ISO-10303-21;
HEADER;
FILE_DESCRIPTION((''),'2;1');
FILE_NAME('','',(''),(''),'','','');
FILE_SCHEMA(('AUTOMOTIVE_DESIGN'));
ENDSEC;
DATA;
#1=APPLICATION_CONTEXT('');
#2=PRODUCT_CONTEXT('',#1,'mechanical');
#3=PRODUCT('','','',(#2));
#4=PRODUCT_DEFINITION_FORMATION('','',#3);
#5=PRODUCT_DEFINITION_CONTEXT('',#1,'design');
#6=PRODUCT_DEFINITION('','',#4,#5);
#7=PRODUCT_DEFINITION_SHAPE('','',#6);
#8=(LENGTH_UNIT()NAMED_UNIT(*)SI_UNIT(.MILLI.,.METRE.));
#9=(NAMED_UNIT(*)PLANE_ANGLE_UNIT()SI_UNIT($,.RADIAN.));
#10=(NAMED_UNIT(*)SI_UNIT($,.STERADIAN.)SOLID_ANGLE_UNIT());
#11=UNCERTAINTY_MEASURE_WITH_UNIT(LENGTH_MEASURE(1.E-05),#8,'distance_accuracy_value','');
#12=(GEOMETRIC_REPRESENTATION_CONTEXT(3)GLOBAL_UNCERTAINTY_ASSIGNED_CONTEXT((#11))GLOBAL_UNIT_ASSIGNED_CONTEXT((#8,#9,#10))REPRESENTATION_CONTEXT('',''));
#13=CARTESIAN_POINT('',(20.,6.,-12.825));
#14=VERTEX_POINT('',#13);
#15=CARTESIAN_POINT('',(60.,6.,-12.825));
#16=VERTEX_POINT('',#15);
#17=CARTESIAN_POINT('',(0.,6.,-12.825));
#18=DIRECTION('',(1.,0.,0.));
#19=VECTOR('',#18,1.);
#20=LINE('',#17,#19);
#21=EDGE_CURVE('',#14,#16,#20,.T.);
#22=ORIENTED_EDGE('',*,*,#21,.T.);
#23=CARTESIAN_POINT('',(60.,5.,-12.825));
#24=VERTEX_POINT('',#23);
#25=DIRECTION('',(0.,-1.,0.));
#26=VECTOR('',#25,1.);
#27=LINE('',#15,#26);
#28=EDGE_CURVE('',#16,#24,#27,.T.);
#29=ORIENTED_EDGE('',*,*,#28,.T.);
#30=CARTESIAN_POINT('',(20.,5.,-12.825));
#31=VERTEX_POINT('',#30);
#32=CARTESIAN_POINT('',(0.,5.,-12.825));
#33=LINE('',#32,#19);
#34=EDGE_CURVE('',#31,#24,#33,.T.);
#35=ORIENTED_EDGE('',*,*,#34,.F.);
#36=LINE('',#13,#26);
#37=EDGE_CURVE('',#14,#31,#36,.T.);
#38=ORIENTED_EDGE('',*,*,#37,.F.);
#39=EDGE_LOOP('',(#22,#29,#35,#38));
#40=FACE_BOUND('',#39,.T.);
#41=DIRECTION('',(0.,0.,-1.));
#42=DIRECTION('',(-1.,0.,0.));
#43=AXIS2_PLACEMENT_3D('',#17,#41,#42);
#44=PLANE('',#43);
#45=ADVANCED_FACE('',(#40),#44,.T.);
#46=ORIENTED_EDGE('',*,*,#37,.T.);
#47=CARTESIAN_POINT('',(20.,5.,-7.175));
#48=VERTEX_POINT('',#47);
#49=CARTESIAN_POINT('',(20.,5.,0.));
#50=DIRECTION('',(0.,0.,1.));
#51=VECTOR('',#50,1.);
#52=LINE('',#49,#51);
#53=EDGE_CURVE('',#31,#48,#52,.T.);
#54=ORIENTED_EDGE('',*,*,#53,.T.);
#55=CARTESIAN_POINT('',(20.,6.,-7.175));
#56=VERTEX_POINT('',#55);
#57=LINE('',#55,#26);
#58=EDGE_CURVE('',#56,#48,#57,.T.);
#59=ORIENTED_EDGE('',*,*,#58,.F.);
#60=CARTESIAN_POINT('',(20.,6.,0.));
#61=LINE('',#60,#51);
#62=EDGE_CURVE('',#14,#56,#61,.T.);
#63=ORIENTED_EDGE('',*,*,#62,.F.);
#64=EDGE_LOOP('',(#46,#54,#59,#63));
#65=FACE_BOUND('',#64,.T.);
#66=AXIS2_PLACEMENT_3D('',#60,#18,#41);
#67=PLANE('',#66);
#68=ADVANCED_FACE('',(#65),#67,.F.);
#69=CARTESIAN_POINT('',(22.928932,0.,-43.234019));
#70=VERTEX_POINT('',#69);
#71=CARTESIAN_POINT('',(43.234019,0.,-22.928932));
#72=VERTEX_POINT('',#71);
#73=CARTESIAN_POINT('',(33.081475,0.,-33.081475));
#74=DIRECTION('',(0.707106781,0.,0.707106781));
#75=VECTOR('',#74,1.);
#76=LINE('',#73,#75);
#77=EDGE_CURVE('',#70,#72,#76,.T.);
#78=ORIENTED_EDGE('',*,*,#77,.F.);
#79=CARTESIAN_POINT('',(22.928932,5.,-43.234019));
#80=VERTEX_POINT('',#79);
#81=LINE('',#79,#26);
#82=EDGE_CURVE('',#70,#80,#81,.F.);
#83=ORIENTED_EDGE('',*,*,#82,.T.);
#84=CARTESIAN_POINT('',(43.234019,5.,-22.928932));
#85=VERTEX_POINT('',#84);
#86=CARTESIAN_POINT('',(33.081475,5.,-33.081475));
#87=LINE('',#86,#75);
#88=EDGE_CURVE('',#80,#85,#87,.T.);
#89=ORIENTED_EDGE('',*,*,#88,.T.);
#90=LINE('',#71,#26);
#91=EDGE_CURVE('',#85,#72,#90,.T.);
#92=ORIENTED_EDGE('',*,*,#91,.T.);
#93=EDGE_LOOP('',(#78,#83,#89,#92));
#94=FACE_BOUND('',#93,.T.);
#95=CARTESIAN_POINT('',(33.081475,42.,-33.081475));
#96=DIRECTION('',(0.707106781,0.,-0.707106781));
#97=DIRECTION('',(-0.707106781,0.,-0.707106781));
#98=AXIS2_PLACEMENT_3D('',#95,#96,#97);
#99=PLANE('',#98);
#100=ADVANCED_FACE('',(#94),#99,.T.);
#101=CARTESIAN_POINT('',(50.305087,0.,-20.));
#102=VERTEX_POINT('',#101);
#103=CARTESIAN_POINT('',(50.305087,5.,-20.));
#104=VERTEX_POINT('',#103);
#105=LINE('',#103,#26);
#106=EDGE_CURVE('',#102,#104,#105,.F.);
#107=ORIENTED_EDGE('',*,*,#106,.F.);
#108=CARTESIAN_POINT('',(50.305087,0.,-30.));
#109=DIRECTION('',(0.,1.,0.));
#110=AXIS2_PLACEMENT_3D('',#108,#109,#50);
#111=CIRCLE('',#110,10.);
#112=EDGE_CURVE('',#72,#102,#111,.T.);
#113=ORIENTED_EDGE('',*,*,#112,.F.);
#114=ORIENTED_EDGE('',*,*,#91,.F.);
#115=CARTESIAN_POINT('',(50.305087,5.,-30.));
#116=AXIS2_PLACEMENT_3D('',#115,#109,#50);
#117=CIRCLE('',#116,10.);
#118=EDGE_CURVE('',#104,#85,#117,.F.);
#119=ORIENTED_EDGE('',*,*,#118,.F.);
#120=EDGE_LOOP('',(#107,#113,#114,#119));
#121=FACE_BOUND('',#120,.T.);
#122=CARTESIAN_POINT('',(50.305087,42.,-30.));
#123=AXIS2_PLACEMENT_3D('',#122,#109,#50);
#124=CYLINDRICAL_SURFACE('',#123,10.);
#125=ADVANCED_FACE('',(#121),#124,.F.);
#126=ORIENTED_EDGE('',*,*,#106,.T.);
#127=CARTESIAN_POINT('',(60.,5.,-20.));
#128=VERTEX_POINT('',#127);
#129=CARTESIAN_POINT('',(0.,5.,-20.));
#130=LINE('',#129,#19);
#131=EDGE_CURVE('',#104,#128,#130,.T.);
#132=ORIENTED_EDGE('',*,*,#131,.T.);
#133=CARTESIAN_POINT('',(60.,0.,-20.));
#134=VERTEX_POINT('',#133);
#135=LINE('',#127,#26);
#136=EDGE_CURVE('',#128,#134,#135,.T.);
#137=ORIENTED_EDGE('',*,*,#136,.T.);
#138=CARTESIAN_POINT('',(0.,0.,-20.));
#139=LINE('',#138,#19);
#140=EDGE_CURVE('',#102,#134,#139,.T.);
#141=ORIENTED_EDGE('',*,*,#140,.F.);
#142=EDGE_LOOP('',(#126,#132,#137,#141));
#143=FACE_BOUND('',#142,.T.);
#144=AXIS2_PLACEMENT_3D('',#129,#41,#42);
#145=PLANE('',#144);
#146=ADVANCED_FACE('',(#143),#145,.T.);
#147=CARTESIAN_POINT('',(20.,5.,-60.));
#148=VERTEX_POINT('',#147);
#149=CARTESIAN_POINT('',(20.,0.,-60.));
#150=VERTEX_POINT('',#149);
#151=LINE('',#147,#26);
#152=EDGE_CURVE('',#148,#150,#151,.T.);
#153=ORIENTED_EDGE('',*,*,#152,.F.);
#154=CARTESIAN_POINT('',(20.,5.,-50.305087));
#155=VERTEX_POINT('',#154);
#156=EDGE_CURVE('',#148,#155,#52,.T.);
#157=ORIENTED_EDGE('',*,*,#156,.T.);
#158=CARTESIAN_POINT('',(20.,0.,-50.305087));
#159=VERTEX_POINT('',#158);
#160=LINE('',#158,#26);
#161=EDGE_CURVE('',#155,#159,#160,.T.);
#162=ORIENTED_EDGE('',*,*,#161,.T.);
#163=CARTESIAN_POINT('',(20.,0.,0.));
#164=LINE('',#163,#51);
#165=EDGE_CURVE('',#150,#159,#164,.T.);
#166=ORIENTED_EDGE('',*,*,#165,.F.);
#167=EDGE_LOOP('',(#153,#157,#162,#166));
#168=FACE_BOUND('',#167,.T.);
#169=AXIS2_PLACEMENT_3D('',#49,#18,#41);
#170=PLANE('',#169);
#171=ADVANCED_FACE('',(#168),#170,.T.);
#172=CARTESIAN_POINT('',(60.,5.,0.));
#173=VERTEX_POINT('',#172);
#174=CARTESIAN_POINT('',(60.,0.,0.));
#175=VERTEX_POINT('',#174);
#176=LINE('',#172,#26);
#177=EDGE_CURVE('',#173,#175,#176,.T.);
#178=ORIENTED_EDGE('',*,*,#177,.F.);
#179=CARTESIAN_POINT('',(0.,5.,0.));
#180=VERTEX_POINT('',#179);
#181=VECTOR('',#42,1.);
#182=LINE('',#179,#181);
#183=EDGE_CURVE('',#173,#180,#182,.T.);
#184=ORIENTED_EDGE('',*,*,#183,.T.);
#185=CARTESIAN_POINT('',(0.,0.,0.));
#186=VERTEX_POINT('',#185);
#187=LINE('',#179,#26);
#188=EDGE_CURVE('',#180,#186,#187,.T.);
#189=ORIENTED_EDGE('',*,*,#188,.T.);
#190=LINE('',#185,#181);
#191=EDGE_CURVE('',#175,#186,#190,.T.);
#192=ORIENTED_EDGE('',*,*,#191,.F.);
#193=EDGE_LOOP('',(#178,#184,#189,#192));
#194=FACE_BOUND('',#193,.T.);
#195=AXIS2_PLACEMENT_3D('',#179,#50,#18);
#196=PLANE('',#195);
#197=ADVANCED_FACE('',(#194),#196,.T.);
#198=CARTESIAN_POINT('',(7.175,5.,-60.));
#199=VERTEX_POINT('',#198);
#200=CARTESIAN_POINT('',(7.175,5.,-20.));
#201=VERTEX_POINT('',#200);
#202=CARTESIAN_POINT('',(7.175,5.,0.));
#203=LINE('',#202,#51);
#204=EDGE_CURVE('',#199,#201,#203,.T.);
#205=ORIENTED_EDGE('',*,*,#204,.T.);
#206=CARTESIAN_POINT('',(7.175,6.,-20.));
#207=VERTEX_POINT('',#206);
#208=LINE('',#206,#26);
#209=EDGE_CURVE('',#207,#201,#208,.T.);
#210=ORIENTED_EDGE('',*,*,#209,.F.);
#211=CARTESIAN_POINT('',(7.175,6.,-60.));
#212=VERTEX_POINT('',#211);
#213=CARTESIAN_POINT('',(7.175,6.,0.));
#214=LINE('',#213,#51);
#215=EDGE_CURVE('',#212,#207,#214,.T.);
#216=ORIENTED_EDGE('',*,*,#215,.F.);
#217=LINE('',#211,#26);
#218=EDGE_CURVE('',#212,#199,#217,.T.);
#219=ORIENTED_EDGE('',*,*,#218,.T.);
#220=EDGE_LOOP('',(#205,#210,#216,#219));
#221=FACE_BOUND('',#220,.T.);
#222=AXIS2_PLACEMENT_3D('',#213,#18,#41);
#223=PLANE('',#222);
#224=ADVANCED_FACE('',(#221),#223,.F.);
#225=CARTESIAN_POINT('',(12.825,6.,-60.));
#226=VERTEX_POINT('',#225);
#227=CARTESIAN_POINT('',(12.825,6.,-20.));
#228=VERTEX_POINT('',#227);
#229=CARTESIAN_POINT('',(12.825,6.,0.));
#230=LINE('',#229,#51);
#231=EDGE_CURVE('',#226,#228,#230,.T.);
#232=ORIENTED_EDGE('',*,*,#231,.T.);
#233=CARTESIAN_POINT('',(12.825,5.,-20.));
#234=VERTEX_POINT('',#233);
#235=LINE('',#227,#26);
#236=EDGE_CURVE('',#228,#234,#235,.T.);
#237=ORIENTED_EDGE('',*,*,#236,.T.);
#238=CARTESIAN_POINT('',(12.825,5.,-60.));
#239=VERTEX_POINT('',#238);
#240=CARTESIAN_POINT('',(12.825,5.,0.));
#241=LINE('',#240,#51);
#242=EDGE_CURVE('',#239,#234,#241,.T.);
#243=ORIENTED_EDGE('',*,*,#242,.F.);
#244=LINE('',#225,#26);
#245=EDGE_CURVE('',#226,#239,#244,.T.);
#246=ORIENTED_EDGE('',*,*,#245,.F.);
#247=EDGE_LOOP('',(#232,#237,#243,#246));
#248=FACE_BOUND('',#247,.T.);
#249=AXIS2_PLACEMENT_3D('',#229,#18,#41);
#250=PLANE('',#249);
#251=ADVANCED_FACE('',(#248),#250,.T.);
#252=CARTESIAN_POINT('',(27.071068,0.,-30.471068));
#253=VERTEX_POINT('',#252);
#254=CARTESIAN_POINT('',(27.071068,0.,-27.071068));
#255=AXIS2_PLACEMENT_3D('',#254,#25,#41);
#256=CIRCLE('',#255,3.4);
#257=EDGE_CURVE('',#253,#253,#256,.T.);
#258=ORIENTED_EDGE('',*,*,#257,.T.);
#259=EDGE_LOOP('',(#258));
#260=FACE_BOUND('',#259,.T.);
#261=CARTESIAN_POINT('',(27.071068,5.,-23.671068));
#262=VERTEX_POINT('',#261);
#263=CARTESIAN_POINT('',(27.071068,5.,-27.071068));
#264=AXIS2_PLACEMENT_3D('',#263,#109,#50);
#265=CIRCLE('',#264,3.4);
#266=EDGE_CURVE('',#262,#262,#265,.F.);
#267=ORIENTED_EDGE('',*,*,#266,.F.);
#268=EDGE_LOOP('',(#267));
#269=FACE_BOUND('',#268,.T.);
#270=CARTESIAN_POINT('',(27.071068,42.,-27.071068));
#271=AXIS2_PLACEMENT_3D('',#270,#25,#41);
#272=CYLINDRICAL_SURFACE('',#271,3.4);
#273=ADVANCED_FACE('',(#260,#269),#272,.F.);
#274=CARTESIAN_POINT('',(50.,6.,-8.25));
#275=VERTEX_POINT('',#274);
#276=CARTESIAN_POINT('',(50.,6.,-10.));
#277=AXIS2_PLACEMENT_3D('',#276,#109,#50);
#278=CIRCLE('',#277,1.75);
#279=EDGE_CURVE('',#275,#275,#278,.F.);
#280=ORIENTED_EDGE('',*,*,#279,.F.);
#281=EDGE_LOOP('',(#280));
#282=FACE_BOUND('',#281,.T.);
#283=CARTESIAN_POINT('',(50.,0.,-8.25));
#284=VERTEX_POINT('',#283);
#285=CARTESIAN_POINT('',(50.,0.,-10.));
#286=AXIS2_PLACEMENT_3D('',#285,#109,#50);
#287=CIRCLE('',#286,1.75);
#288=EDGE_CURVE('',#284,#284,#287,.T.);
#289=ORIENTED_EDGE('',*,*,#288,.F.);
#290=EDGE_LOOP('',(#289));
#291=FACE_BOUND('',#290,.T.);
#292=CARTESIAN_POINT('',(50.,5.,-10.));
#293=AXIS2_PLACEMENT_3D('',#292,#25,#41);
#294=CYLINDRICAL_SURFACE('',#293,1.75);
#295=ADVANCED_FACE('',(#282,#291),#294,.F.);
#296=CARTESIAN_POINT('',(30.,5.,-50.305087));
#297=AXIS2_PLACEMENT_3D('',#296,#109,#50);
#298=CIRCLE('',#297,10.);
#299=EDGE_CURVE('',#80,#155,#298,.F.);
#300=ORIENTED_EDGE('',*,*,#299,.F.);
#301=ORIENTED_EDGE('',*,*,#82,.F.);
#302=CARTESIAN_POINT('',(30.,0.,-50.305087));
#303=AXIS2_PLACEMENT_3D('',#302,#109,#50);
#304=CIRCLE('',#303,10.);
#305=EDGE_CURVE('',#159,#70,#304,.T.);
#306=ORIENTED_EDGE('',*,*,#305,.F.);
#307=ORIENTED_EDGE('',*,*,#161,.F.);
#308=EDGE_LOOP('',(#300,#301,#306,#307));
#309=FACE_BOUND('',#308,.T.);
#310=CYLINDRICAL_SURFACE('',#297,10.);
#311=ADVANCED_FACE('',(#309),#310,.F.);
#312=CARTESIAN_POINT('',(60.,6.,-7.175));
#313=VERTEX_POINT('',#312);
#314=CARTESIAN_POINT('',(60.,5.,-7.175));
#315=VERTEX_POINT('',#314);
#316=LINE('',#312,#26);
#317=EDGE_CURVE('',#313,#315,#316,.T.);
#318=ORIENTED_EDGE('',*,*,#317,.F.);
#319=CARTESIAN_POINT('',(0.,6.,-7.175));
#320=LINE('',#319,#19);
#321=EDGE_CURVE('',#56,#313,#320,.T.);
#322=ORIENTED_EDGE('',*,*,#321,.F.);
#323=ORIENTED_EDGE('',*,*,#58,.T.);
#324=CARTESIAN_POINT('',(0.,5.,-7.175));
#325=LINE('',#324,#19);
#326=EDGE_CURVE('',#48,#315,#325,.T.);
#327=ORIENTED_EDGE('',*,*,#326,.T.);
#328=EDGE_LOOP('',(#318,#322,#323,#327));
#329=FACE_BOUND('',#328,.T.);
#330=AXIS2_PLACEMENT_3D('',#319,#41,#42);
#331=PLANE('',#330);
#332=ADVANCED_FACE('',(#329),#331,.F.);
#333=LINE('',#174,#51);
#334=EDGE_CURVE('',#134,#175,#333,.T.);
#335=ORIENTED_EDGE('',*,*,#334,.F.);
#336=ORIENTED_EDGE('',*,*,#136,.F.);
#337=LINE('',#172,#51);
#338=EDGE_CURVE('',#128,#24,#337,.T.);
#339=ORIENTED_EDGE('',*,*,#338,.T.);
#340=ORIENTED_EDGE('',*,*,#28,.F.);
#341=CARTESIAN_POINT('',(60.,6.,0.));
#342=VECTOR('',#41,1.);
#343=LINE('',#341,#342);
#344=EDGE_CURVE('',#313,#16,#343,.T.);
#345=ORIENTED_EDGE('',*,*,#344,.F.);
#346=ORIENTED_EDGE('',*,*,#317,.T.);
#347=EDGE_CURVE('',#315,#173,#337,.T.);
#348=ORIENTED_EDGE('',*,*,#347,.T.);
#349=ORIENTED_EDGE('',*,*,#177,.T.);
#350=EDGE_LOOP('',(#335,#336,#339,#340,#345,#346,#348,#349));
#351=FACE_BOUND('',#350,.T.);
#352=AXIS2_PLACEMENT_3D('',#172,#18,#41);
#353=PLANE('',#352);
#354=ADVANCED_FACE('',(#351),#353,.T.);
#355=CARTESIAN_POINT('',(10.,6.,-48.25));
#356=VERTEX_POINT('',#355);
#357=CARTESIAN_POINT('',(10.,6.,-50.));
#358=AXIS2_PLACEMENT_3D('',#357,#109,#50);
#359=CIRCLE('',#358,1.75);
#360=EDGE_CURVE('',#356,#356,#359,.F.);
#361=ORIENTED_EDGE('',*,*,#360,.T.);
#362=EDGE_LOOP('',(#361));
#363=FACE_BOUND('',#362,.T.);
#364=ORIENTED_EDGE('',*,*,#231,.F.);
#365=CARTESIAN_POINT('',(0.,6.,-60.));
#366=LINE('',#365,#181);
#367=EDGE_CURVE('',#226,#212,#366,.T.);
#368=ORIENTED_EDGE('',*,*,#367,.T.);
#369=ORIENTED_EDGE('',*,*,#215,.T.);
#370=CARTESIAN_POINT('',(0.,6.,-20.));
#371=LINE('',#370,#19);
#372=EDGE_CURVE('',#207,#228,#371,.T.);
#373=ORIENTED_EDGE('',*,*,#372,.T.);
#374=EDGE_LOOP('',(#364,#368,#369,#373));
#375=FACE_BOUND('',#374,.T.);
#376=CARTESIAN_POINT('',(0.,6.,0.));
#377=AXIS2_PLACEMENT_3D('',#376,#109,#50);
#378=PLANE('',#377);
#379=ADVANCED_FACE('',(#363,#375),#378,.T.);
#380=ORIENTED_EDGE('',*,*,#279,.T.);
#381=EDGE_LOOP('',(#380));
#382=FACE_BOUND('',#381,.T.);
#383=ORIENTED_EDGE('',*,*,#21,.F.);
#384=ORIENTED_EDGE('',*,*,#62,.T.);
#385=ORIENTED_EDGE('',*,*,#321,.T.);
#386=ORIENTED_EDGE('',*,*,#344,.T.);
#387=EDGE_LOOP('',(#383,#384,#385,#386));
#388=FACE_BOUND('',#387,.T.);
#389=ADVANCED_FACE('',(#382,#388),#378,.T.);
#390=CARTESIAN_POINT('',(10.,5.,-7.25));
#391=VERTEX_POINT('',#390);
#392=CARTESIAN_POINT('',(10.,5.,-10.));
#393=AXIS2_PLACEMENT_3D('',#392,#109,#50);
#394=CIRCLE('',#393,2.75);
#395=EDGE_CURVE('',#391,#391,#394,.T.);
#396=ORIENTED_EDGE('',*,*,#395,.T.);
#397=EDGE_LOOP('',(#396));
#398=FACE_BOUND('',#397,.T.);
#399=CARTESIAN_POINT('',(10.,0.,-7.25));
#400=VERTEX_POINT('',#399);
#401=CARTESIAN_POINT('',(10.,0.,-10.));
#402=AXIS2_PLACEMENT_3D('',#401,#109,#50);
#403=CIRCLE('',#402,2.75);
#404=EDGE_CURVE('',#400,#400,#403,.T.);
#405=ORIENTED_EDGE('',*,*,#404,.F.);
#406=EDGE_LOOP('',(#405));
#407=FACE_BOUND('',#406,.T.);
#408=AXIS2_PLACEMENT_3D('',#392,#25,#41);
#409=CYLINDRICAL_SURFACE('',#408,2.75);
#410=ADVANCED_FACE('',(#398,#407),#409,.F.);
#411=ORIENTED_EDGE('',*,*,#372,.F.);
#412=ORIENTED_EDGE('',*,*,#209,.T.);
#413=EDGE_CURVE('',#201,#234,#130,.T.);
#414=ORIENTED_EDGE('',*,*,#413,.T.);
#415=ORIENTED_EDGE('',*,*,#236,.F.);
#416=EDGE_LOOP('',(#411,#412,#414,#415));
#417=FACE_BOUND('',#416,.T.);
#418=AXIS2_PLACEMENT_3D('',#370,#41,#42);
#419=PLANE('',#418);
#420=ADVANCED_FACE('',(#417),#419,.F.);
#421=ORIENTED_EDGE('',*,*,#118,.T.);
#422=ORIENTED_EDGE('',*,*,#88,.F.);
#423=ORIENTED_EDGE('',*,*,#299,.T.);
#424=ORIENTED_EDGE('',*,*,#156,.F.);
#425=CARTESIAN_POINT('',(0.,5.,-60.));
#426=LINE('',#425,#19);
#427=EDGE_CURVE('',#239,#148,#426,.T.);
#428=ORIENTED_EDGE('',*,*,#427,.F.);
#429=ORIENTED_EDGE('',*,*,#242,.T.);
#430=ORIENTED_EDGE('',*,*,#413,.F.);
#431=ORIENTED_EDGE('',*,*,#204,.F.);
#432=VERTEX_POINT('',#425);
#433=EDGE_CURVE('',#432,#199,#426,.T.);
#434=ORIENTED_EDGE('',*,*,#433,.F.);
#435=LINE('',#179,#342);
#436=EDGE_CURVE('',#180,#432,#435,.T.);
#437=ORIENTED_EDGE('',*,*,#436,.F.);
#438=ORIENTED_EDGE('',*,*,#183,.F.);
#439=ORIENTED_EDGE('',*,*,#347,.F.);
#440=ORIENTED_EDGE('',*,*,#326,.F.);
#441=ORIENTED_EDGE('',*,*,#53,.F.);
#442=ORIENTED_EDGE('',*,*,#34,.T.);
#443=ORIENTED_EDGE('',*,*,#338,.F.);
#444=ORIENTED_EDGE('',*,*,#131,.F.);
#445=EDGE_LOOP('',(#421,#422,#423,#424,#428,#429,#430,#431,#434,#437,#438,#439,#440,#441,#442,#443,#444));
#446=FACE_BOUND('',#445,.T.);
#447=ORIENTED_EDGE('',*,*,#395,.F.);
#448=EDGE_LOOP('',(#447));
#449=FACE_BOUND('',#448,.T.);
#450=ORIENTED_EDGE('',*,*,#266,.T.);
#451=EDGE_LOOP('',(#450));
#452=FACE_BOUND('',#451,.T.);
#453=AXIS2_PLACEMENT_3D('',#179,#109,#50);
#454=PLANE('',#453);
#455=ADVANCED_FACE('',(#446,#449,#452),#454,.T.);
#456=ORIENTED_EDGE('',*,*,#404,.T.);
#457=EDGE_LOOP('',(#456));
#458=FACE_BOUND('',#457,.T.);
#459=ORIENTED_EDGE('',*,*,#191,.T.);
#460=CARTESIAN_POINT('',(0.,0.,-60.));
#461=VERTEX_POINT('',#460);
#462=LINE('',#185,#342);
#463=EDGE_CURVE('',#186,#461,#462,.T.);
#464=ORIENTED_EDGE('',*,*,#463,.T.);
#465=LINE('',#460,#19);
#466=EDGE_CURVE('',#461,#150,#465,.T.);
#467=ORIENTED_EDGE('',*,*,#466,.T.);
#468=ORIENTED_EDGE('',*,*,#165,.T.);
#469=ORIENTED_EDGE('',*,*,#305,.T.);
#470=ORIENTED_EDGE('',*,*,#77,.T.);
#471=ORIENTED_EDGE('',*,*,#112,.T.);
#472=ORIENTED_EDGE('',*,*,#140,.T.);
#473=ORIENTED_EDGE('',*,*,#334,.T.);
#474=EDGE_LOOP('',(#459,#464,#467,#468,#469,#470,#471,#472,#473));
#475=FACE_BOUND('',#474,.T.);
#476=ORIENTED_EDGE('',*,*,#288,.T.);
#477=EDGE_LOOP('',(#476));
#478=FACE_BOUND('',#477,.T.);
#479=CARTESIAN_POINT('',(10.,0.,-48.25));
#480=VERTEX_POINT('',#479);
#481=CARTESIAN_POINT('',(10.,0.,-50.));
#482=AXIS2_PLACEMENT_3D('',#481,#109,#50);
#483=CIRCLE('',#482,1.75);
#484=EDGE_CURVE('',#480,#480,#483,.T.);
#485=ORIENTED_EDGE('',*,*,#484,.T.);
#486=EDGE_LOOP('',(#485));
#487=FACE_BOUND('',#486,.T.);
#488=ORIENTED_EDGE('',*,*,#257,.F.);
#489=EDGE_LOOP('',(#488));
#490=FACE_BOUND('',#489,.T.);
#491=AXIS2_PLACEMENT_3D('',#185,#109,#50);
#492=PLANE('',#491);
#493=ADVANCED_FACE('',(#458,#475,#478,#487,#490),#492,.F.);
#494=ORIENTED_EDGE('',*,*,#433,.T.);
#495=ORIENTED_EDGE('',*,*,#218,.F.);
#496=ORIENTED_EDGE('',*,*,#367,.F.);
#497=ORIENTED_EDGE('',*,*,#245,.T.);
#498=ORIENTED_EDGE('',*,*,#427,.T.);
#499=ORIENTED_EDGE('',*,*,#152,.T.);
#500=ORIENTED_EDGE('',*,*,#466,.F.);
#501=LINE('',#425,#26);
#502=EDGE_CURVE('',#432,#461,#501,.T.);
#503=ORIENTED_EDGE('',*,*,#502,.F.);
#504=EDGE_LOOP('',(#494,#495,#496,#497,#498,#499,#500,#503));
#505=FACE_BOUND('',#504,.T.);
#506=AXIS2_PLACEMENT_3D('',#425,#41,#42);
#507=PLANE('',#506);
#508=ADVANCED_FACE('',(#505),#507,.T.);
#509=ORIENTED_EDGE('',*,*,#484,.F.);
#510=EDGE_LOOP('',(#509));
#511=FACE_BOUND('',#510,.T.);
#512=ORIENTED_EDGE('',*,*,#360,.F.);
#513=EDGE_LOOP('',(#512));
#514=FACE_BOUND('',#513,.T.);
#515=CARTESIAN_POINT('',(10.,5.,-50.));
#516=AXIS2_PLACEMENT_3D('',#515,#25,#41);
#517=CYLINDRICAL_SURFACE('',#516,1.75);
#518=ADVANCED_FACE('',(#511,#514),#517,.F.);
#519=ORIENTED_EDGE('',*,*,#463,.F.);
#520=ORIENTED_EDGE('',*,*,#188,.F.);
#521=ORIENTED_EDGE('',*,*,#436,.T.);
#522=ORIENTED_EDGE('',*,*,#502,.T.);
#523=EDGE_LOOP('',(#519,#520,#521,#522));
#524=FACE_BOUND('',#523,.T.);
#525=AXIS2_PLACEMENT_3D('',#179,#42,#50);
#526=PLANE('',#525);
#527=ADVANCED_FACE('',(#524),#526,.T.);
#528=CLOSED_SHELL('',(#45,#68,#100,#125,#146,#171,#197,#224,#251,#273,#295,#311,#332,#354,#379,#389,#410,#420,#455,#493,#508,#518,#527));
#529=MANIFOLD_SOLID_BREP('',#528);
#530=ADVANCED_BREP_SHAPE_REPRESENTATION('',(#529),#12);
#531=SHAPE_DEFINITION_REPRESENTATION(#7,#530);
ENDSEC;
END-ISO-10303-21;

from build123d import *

# Parameters (mm, degrees)
ESBO_O1_R                = 2.75
ESBO_O1_R_2              = 1.75
RESSALTO_EXTRUS_O1_DEPTH = 5
ESBO_O2_W                = 40
ESBO_O2_H                = 5.65
ESBO_O2_R                = 1.75
ESBO_O2_W_2              = 5.65
ESBO_O2_H_2              = 40
RESSALTO_EXTRUS_O2_DEPTH = 1
RESSALTO_EXTRUS_O3_DEPTH = 5
FILETE1_R                = 10


with BuildPart() as part:
    # Esboço1 → Ressalto-extrusão1 (new body)
    with BuildSketch(Plane(origin=(0, 0, 0), x_dir=(1, 0, 0), z_dir=(0, 1, 0))):
        Polygon((52.928932188, 20), (60, 20), (60, 0), (0, 0), (0, 60), (20, 60), (20, 52.928932188), (20, 20), align=None)
        with Locations(Location((10, 10, 0), (0, 0, 270))):
            Circle(ESBO_O1_R, mode=Mode.SUBTRACT)
        with Locations(Location((50, 10, 0), (0, 0, 270))):
            Circle(ESBO_O1_R_2, mode=Mode.SUBTRACT)
        with Locations(Location((10, 50, 0), (0, 0, 270))):
            Circle(ESBO_O1_R_2, mode=Mode.SUBTRACT)
    extrude(amount=RESSALTO_EXTRUS_O1_DEPTH)

    # Esboço2 → Ressalto-extrusão2 (add)
    # profile 1 of 2: a face of its own
    with BuildSketch(Plane(origin=(0, 5, 0), x_dir=(1, 0, 0), z_dir=(0, 1, 0))):
        with Locations((40, 10)):
            Rectangle(ESBO_O2_W, ESBO_O2_H)
        with Locations((50, 10)):
            Circle(ESBO_O2_R, mode=Mode.SUBTRACT)
    # profile 2 of 2: a face of its own
    with BuildSketch(Plane(origin=(0, 5, 0), x_dir=(1, 0, 0), z_dir=(0, 1, 0))):
        with Locations((10, 40)):
            Rectangle(ESBO_O2_W_2, ESBO_O2_H_2)
        with Locations((10, 50)):
            Circle(ESBO_O2_R, mode=Mode.SUBTRACT)
    extrude(amount=RESSALTO_EXTRUS_O2_DEPTH)

    # Esboço3 → Ressalto-extrusão3 (add)
    with BuildSketch(Plane.XZ):
        with BuildLine():
            Line((24.666904756, -24.666904756), (20, -20))
            Line((20, -20), (20, -46.162950904))
            Line((20, -46.162950904), (33.081475452, -33.081475452))
            Line((33.081475452, -33.081475452), (29.475230868, -29.475230868))
            ThreePointArc((29.475230868, -29.475230868), (24.666904756, -29.475230868), (24.666904756, -24.666904756))
        make_face()
        with BuildLine():
            Line((46.162950904, -20), (20, -20))
            Line((20, -20), (24.666904756, -24.666904756))
            ThreePointArc((24.666904756, -24.666904756), (28.372191482, -23.929877401), (30.471067812, -27.071067812))
            ThreePointArc((30.471067812, -27.071067812), (30.212258222, -28.372191482), (29.475230868, -29.475230868))
            Line((29.475230868, -29.475230868), (33.081475452, -33.081475452))
            Line((33.081475452, -33.081475452), (46.162950904, -20))
        make_face()
    extrude(amount=-RESSALTO_EXTRUS_O3_DEPTH)

    # Filete1
    filete1_edges = [part.edges().sort_by_distance(p)[0] for p in [
        (46.162950904, 2.5, -20),
        (20, 2.5, -46.162950904),
    ]]
    fillet(filete1_edges, radius=FILETE1_R)


solid = part.part
